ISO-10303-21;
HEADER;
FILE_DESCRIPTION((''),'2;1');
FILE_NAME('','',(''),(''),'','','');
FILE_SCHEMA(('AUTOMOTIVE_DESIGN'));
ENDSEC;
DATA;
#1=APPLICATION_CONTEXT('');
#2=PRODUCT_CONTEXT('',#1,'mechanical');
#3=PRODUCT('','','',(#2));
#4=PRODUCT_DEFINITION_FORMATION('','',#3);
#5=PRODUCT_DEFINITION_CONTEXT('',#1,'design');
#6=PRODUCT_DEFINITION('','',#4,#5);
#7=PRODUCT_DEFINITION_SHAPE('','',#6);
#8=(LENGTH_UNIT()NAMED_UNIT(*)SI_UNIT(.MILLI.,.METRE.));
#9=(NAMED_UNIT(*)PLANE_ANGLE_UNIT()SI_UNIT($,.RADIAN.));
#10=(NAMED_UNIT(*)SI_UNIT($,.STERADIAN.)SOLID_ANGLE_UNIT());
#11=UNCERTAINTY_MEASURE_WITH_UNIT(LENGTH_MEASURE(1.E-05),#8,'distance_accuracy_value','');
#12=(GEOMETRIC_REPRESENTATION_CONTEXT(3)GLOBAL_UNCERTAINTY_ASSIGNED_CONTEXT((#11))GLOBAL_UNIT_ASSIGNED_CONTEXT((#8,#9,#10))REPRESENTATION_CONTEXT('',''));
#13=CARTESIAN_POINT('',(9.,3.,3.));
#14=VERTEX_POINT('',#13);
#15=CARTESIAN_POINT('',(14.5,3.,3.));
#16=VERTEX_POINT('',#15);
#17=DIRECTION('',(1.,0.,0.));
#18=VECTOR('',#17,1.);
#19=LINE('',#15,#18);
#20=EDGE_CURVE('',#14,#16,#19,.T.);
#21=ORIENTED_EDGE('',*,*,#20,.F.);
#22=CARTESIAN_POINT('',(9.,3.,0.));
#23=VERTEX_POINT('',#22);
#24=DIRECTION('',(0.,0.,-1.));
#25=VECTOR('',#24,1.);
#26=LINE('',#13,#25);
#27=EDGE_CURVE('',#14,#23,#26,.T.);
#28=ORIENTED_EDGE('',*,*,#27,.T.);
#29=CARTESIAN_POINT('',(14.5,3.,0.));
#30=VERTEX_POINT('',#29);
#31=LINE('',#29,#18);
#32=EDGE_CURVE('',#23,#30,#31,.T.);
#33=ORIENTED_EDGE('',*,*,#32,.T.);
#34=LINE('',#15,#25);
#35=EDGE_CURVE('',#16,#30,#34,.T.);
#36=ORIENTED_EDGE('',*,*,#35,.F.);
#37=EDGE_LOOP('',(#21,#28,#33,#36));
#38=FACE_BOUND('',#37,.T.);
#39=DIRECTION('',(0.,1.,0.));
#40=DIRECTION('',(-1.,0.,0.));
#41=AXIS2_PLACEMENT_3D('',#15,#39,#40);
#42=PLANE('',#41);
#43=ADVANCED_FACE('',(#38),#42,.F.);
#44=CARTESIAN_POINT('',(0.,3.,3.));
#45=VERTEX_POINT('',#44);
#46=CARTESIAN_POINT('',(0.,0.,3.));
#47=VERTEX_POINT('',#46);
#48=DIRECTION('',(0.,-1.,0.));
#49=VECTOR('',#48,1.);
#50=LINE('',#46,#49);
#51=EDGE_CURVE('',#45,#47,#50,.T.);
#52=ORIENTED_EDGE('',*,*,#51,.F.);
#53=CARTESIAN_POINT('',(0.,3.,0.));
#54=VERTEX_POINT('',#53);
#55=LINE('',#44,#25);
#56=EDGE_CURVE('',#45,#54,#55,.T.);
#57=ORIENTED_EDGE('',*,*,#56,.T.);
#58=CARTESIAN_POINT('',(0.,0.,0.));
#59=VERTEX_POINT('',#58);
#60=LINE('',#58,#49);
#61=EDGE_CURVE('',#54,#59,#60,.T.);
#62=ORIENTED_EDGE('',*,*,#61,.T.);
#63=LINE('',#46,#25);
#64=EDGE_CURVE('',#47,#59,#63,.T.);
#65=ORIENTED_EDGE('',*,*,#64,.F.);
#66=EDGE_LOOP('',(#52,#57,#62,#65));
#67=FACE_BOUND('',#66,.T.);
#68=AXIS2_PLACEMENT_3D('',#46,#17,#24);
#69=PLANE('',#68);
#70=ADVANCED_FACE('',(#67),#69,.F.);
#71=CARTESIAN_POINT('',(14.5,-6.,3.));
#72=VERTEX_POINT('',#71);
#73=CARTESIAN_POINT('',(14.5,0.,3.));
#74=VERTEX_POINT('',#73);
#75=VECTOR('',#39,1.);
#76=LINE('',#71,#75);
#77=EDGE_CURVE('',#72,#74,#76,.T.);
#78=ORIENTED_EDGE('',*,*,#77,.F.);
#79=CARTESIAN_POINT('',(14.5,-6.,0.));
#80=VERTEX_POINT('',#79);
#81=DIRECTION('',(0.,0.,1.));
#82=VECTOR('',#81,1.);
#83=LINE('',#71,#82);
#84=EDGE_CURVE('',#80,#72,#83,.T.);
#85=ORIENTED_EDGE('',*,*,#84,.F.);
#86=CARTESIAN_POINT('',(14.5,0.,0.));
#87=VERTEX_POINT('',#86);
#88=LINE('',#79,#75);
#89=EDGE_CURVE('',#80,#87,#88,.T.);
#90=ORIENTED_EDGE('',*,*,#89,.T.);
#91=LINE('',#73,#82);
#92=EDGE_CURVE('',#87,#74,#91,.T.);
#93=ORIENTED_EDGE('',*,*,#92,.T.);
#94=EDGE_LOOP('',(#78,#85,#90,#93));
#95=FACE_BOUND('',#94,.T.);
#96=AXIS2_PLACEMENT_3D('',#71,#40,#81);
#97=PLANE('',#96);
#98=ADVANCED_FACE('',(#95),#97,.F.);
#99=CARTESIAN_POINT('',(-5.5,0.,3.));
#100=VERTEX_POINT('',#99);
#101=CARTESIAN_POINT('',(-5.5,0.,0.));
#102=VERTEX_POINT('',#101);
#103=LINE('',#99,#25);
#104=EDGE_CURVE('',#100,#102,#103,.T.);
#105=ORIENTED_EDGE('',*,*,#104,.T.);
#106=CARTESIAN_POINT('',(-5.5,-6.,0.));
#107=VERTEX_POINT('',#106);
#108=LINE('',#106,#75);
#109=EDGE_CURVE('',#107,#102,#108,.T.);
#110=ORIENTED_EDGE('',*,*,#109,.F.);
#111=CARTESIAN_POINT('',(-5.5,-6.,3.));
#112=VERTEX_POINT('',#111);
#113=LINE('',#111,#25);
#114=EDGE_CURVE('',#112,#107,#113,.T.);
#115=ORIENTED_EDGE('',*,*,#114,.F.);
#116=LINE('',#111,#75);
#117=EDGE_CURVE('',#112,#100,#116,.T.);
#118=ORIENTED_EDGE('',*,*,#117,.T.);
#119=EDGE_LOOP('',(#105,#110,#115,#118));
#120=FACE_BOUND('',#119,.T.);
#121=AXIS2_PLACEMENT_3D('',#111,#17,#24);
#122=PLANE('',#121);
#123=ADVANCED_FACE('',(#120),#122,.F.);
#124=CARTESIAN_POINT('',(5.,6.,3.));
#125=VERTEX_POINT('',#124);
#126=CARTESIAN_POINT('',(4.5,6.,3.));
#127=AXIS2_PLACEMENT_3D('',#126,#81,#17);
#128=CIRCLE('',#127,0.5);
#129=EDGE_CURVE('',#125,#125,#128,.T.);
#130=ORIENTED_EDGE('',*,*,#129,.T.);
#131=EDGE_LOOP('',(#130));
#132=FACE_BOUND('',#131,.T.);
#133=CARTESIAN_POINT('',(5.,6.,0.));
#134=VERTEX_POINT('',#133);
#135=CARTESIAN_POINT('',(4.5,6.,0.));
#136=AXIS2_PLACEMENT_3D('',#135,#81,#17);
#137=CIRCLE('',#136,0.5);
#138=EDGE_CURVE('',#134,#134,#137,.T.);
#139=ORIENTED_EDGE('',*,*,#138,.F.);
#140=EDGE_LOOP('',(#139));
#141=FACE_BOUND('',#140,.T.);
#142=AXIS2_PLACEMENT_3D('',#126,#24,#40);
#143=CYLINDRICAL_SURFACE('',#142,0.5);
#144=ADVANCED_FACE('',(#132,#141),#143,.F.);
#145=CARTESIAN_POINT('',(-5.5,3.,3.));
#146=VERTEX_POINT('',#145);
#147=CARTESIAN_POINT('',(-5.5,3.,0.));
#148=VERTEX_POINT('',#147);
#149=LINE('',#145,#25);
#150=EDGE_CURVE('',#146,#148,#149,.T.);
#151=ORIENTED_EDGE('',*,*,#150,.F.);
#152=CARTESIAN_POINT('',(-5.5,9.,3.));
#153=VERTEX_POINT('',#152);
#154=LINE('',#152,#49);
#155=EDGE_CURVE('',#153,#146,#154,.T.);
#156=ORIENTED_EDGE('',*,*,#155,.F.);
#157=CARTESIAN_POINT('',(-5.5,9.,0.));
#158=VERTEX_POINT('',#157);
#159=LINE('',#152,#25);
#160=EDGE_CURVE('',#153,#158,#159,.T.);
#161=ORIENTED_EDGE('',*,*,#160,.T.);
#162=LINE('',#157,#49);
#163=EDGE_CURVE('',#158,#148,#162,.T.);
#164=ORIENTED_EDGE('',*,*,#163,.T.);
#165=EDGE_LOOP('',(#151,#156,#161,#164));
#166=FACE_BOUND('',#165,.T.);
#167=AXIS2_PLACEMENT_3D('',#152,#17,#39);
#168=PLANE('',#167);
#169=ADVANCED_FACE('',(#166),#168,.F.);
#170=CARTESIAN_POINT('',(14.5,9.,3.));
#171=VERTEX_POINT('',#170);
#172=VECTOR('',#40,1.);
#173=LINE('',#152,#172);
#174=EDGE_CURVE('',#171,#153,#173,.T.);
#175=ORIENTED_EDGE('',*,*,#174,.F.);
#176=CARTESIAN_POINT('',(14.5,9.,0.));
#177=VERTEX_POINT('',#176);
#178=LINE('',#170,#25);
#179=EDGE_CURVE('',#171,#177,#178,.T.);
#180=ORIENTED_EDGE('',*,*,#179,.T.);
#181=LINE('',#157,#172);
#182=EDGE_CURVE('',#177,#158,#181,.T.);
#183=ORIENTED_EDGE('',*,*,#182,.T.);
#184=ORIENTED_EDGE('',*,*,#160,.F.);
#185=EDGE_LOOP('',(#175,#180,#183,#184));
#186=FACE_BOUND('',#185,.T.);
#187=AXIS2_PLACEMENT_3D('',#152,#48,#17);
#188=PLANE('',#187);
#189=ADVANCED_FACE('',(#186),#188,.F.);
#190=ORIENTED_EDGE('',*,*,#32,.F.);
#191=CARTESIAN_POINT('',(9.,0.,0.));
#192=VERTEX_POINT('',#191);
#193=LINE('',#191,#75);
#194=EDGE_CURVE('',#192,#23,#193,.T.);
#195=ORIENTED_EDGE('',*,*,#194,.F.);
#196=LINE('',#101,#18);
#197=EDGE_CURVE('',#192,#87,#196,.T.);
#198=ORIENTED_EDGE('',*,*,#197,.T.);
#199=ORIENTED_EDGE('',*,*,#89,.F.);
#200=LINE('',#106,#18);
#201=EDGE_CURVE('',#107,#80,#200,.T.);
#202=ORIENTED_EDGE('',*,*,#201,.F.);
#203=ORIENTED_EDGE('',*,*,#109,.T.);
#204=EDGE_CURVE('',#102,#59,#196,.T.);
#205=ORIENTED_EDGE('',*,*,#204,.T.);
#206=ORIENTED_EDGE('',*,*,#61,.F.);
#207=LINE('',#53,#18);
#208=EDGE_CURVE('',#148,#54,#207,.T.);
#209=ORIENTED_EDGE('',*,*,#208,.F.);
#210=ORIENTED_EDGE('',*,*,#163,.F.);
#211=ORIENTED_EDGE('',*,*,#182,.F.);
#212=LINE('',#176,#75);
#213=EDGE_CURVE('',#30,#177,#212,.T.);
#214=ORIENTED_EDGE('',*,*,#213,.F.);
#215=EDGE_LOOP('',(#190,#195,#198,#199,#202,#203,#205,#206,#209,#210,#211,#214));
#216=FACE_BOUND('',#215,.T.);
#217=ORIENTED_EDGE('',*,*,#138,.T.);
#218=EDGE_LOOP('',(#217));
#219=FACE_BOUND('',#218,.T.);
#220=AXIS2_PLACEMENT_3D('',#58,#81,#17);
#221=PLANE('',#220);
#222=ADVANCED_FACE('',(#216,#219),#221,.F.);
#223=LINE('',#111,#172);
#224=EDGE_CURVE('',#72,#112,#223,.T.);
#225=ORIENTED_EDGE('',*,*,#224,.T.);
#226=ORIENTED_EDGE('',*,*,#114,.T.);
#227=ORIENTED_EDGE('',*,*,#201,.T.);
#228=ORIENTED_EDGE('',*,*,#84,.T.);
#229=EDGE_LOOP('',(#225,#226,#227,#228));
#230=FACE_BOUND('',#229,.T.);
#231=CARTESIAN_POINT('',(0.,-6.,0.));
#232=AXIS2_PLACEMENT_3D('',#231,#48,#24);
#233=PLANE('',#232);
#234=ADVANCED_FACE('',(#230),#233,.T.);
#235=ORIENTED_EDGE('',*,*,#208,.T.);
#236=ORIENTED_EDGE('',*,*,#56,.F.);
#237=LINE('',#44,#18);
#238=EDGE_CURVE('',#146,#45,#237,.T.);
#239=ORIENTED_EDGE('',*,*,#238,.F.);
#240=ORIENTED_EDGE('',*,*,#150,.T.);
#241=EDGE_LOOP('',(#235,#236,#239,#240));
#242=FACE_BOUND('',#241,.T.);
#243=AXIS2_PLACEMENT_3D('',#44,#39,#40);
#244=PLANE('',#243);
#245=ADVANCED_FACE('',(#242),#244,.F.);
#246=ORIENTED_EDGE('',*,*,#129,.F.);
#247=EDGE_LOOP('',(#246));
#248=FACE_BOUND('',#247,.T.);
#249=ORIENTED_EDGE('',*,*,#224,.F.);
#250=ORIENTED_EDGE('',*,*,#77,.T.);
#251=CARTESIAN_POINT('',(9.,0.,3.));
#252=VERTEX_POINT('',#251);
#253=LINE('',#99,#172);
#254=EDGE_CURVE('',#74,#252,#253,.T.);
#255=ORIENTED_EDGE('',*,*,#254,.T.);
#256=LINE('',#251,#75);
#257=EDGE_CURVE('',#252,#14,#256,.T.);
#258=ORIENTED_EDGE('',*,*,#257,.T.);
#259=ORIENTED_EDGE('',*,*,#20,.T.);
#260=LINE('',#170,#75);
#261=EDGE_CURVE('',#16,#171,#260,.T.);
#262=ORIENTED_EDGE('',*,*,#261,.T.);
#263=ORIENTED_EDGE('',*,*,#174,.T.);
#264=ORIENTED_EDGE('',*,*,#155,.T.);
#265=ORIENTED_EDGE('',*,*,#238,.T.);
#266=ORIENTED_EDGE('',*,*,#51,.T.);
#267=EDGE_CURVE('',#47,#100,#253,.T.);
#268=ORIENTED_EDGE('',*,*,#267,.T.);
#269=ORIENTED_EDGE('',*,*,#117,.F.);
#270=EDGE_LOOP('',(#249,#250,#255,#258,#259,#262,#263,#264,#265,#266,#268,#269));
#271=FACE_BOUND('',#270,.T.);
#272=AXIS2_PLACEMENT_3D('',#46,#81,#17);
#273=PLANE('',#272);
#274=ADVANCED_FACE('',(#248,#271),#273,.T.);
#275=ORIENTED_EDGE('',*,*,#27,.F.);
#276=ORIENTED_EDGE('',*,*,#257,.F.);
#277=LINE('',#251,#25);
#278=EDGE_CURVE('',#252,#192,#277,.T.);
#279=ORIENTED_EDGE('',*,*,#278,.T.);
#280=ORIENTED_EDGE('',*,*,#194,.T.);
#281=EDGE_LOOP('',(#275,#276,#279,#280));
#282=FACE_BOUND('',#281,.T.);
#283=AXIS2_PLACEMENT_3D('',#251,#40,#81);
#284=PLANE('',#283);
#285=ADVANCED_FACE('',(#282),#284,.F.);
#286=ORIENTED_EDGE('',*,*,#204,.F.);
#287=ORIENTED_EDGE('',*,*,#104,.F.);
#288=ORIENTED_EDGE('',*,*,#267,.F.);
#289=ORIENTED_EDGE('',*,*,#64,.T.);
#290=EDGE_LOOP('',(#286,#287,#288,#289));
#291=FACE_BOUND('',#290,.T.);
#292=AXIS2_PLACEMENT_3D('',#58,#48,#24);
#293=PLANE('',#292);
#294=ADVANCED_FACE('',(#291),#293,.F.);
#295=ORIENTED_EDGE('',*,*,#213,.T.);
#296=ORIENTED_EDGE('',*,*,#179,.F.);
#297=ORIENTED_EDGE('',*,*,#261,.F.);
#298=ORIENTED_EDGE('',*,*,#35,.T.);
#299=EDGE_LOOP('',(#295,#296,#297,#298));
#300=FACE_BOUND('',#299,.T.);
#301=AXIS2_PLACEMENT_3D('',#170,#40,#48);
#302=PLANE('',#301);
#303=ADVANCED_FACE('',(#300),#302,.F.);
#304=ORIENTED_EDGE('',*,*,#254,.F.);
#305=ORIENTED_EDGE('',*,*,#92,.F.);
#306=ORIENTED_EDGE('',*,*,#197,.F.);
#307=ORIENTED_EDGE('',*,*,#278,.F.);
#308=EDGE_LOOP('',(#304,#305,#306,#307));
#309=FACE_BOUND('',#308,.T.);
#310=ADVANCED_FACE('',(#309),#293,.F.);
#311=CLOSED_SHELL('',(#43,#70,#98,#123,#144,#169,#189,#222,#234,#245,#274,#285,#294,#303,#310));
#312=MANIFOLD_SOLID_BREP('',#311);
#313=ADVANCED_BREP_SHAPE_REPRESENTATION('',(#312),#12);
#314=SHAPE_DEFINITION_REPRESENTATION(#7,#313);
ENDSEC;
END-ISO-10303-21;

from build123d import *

# Parameters (mm, degrees)
SKETCH1_R           = 0.5
BOSS_EXTRUDE1_DEPTH = 3
SKETCH2_W           = 20
SKETCH2_H           = 3
BOSS_EXTRUDE2_DEPTH = 6


with BuildPart() as part:
    # Sketch1 → Boss-Extrude1 (new body)
    with BuildSketch(Plane.XY):
        Polygon((0, 0), (9, 0), (9, 3), (14.5, 3), (14.5, 9), (-5.5, 9), (-5.5, 3), (0, 3), align=None)
        with Locations((4.5, 6)):
            Circle(SKETCH1_R, mode=Mode.SUBTRACT)
    extrude(amount=BOSS_EXTRUDE1_DEPTH)

    # Sketch2 → Boss-Extrude2 (add)
    with BuildSketch(Plane.XZ):
        with Locations((4.5, 1.5)):
            Rectangle(SKETCH2_W, SKETCH2_H)
    extrude(amount=BOSS_EXTRUDE2_DEPTH)


solid = part.part
